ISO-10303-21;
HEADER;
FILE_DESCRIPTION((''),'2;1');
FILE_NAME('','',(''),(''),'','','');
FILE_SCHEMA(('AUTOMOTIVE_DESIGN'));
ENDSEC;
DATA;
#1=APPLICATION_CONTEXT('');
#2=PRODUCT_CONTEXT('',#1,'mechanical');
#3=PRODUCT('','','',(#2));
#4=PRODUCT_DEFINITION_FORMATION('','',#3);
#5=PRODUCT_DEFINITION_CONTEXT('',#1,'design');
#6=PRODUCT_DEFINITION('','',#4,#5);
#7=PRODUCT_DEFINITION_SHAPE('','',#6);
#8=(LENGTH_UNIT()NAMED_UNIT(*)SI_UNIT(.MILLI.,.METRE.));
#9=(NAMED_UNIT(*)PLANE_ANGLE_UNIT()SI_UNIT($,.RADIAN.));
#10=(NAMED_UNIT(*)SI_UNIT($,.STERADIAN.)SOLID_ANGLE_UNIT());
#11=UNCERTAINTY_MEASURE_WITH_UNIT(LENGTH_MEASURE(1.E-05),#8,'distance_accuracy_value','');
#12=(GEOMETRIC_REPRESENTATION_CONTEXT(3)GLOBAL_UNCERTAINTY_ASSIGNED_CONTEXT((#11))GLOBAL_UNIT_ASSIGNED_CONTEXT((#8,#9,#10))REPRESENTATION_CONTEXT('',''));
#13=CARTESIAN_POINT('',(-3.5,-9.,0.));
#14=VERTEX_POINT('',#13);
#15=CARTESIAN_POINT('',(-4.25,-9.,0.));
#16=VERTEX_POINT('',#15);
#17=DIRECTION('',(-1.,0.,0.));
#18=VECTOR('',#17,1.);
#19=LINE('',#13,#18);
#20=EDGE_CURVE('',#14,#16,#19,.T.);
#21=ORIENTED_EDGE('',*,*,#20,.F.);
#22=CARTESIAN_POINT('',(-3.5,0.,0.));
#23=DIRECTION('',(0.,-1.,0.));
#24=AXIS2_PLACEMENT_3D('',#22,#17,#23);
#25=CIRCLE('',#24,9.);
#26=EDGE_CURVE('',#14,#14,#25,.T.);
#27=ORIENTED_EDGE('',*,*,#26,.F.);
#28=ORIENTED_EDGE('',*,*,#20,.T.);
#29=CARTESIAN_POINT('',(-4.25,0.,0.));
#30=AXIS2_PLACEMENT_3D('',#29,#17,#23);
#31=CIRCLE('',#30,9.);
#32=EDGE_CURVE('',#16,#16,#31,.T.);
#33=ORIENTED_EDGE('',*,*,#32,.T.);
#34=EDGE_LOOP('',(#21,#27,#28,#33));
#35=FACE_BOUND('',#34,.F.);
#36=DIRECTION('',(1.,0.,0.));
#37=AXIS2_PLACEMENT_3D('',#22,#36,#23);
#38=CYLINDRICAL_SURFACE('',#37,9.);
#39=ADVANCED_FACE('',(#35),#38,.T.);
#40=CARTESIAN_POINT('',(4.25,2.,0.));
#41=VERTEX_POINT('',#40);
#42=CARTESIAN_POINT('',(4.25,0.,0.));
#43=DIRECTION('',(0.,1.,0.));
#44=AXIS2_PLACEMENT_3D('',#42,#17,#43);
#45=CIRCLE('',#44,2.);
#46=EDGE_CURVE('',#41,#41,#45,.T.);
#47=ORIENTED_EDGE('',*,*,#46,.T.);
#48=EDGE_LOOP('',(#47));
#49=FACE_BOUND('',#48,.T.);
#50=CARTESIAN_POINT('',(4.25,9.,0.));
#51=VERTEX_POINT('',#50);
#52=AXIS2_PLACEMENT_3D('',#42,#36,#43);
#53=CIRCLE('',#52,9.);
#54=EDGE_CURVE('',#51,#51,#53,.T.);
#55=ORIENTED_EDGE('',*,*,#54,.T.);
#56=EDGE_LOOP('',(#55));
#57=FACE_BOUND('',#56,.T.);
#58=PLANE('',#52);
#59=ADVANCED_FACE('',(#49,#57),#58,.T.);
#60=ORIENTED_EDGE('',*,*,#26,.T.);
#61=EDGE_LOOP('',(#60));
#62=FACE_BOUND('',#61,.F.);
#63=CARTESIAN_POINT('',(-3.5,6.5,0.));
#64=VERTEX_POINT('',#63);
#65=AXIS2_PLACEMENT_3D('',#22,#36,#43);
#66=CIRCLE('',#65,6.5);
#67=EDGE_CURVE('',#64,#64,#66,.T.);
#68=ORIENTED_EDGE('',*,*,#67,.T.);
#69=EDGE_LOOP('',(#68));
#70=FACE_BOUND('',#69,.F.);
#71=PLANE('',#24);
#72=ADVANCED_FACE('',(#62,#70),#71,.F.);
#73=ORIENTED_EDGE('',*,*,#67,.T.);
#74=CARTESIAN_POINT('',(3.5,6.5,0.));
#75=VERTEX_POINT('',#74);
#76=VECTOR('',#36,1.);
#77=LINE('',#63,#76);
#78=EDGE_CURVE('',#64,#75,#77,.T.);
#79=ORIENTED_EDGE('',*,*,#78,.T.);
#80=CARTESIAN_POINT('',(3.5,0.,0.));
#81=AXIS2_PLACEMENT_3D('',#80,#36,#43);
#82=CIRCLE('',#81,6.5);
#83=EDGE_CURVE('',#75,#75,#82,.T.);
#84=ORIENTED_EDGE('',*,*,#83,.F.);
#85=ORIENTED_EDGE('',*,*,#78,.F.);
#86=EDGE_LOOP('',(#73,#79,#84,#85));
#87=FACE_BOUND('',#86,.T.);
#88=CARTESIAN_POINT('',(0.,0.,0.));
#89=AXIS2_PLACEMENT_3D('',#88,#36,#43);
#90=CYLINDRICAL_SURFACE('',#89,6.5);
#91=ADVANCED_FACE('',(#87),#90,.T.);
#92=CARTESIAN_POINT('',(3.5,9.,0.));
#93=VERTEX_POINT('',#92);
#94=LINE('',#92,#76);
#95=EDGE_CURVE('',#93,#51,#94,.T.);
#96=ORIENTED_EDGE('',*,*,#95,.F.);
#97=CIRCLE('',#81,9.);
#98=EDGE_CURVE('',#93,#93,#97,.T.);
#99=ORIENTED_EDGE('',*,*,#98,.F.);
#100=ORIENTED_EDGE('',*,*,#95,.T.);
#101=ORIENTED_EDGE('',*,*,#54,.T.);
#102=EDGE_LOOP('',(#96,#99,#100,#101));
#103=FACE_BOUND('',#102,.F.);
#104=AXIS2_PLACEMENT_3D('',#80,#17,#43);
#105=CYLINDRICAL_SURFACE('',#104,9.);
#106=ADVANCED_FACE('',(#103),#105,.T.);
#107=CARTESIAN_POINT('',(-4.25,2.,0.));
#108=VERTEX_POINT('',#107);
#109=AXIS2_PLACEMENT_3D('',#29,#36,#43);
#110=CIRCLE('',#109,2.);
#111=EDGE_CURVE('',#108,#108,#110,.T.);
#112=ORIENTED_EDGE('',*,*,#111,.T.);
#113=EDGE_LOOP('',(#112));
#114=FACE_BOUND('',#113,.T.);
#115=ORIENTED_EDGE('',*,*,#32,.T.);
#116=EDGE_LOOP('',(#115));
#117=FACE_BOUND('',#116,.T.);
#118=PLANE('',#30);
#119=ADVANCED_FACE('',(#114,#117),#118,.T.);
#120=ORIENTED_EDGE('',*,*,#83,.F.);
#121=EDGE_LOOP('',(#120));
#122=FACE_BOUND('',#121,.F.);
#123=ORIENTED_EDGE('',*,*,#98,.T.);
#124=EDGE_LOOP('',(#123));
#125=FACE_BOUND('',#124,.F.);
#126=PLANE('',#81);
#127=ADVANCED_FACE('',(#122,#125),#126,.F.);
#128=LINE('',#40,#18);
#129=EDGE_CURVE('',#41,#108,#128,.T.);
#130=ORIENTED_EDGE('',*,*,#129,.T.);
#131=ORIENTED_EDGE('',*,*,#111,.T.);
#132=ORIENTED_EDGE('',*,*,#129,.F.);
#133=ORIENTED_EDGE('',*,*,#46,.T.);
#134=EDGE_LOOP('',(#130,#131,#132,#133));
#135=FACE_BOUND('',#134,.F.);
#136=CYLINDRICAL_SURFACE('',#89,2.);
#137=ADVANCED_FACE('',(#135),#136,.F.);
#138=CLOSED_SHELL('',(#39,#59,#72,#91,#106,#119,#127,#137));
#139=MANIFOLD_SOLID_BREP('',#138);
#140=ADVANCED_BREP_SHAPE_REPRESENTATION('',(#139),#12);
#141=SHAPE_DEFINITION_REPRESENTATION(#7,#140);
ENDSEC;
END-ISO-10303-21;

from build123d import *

# Parameters (mm, degrees)
F0_R          = 6.5
F1_DEPTH      = 3.5
F1_DEPTH_BACK = 3.5
F2_R          = 9
F3_DEPTH      = 0.75
F4_R          = 9
F5_DEPTH      = 0.75
F6_R          = 2
F7_DEPTH      = 25
F7_DEPTH_BACK = 25


with BuildPart() as f1:
    # F0 (on Right) → F1 (new body, two sides)
    with BuildSketch(Plane.YZ) as f1_sk:
        Circle(F0_R)
    extrude(amount=F1_DEPTH)
    extrude(f1_sk.sketch, amount=-F1_DEPTH_BACK)

    # F2 (on face) → F3 (join)
    with BuildSketch(Plane.YZ.offset(3.5)):
        Circle(F2_R)
    extrude(amount=F3_DEPTH)

    # F4 (on face) → F5 (join)
    with BuildSketch(Plane(origin=(-3.5, 0, 0), x_dir=(0, -1, 0), z_dir=(-1, 0, 0))):
        Circle(F4_R)
    extrude(amount=F5_DEPTH)

    # F6 (on Right) → F7 (cut, two sides)
    with BuildSketch(Plane.YZ) as f7_sk:
        Circle(F6_R)
    extrude(amount=-F7_DEPTH, mode=Mode.SUBTRACT)
    extrude(f7_sk.sketch, amount=F7_DEPTH_BACK, mode=Mode.SUBTRACT)


solid = f1.part
